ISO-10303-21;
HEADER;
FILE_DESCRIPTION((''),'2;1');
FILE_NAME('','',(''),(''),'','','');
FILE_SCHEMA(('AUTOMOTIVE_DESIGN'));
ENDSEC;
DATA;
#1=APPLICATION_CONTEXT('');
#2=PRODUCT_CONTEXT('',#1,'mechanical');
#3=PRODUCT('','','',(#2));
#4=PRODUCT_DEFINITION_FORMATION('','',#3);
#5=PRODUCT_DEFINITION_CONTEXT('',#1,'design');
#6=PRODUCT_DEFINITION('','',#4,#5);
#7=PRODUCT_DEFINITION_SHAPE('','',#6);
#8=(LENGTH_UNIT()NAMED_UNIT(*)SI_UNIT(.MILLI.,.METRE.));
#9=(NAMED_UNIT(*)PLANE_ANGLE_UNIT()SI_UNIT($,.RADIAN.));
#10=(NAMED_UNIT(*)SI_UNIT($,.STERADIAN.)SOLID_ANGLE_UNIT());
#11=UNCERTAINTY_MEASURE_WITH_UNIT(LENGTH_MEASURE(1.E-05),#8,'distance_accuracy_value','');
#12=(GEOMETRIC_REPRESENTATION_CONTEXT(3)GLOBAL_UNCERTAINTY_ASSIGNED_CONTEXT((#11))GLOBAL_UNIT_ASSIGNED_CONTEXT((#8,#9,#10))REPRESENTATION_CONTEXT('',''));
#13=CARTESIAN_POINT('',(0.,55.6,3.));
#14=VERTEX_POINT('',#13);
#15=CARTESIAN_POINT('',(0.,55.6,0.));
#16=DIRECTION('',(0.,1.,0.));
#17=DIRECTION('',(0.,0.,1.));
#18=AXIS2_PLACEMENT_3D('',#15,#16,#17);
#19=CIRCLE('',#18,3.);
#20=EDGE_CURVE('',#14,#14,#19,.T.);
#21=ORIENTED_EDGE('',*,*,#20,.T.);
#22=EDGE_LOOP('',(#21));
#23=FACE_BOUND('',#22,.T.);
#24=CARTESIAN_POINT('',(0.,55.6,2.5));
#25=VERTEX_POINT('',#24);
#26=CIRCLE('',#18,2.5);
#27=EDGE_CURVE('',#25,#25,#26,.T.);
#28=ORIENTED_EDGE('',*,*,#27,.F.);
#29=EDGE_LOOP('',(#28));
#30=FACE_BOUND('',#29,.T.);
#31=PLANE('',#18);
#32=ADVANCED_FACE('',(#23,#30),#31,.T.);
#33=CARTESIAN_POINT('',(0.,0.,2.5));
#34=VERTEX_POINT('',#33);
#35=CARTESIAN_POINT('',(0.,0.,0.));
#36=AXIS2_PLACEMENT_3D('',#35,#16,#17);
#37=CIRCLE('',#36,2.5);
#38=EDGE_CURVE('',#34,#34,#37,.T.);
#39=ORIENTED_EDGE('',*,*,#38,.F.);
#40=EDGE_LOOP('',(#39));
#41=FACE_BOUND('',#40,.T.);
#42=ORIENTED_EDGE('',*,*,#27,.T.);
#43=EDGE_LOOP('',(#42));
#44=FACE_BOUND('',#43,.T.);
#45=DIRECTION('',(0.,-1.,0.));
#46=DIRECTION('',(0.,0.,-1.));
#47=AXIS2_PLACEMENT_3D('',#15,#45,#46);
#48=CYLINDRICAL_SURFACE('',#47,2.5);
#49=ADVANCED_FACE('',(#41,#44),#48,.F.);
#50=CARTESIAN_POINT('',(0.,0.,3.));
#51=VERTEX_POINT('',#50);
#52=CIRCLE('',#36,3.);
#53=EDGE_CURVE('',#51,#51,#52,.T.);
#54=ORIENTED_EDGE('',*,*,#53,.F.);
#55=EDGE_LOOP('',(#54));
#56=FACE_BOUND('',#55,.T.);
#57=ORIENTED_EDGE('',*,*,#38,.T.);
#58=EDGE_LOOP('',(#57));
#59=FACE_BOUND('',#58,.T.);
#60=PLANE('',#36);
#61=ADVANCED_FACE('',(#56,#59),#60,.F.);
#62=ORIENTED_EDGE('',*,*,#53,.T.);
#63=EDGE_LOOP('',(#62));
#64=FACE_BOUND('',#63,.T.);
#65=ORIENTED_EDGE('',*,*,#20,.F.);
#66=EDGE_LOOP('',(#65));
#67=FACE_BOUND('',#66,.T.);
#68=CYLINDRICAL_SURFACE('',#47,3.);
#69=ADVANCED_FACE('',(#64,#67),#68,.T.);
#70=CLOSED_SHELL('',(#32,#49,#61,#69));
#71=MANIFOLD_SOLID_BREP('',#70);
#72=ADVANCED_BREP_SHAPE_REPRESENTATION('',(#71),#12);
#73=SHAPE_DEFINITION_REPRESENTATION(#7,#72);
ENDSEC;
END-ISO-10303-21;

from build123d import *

# Parameters (mm, degrees)
SKETCH_1_R      = 3
SKETCH_1_R_2    = 2.5
EXTRUDE_1_DEPTH = 55.6


with BuildPart() as part:
    # 草图1 → 凸台-拉伸1 (new body)
    with BuildSketch(Plane(origin=(0, 0, 0), x_dir=(1, 0, 0), z_dir=(0, 1, 0))):
        with Locations(Location((0, 0, 0), (0, 0, 270))):
            Circle(SKETCH_1_R)
        with Locations(Location((0, 0, 0), (0, 0, 270))):
            Circle(SKETCH_1_R_2, mode=Mode.SUBTRACT)
    extrude(amount=EXTRUDE_1_DEPTH)


solid = part.part
